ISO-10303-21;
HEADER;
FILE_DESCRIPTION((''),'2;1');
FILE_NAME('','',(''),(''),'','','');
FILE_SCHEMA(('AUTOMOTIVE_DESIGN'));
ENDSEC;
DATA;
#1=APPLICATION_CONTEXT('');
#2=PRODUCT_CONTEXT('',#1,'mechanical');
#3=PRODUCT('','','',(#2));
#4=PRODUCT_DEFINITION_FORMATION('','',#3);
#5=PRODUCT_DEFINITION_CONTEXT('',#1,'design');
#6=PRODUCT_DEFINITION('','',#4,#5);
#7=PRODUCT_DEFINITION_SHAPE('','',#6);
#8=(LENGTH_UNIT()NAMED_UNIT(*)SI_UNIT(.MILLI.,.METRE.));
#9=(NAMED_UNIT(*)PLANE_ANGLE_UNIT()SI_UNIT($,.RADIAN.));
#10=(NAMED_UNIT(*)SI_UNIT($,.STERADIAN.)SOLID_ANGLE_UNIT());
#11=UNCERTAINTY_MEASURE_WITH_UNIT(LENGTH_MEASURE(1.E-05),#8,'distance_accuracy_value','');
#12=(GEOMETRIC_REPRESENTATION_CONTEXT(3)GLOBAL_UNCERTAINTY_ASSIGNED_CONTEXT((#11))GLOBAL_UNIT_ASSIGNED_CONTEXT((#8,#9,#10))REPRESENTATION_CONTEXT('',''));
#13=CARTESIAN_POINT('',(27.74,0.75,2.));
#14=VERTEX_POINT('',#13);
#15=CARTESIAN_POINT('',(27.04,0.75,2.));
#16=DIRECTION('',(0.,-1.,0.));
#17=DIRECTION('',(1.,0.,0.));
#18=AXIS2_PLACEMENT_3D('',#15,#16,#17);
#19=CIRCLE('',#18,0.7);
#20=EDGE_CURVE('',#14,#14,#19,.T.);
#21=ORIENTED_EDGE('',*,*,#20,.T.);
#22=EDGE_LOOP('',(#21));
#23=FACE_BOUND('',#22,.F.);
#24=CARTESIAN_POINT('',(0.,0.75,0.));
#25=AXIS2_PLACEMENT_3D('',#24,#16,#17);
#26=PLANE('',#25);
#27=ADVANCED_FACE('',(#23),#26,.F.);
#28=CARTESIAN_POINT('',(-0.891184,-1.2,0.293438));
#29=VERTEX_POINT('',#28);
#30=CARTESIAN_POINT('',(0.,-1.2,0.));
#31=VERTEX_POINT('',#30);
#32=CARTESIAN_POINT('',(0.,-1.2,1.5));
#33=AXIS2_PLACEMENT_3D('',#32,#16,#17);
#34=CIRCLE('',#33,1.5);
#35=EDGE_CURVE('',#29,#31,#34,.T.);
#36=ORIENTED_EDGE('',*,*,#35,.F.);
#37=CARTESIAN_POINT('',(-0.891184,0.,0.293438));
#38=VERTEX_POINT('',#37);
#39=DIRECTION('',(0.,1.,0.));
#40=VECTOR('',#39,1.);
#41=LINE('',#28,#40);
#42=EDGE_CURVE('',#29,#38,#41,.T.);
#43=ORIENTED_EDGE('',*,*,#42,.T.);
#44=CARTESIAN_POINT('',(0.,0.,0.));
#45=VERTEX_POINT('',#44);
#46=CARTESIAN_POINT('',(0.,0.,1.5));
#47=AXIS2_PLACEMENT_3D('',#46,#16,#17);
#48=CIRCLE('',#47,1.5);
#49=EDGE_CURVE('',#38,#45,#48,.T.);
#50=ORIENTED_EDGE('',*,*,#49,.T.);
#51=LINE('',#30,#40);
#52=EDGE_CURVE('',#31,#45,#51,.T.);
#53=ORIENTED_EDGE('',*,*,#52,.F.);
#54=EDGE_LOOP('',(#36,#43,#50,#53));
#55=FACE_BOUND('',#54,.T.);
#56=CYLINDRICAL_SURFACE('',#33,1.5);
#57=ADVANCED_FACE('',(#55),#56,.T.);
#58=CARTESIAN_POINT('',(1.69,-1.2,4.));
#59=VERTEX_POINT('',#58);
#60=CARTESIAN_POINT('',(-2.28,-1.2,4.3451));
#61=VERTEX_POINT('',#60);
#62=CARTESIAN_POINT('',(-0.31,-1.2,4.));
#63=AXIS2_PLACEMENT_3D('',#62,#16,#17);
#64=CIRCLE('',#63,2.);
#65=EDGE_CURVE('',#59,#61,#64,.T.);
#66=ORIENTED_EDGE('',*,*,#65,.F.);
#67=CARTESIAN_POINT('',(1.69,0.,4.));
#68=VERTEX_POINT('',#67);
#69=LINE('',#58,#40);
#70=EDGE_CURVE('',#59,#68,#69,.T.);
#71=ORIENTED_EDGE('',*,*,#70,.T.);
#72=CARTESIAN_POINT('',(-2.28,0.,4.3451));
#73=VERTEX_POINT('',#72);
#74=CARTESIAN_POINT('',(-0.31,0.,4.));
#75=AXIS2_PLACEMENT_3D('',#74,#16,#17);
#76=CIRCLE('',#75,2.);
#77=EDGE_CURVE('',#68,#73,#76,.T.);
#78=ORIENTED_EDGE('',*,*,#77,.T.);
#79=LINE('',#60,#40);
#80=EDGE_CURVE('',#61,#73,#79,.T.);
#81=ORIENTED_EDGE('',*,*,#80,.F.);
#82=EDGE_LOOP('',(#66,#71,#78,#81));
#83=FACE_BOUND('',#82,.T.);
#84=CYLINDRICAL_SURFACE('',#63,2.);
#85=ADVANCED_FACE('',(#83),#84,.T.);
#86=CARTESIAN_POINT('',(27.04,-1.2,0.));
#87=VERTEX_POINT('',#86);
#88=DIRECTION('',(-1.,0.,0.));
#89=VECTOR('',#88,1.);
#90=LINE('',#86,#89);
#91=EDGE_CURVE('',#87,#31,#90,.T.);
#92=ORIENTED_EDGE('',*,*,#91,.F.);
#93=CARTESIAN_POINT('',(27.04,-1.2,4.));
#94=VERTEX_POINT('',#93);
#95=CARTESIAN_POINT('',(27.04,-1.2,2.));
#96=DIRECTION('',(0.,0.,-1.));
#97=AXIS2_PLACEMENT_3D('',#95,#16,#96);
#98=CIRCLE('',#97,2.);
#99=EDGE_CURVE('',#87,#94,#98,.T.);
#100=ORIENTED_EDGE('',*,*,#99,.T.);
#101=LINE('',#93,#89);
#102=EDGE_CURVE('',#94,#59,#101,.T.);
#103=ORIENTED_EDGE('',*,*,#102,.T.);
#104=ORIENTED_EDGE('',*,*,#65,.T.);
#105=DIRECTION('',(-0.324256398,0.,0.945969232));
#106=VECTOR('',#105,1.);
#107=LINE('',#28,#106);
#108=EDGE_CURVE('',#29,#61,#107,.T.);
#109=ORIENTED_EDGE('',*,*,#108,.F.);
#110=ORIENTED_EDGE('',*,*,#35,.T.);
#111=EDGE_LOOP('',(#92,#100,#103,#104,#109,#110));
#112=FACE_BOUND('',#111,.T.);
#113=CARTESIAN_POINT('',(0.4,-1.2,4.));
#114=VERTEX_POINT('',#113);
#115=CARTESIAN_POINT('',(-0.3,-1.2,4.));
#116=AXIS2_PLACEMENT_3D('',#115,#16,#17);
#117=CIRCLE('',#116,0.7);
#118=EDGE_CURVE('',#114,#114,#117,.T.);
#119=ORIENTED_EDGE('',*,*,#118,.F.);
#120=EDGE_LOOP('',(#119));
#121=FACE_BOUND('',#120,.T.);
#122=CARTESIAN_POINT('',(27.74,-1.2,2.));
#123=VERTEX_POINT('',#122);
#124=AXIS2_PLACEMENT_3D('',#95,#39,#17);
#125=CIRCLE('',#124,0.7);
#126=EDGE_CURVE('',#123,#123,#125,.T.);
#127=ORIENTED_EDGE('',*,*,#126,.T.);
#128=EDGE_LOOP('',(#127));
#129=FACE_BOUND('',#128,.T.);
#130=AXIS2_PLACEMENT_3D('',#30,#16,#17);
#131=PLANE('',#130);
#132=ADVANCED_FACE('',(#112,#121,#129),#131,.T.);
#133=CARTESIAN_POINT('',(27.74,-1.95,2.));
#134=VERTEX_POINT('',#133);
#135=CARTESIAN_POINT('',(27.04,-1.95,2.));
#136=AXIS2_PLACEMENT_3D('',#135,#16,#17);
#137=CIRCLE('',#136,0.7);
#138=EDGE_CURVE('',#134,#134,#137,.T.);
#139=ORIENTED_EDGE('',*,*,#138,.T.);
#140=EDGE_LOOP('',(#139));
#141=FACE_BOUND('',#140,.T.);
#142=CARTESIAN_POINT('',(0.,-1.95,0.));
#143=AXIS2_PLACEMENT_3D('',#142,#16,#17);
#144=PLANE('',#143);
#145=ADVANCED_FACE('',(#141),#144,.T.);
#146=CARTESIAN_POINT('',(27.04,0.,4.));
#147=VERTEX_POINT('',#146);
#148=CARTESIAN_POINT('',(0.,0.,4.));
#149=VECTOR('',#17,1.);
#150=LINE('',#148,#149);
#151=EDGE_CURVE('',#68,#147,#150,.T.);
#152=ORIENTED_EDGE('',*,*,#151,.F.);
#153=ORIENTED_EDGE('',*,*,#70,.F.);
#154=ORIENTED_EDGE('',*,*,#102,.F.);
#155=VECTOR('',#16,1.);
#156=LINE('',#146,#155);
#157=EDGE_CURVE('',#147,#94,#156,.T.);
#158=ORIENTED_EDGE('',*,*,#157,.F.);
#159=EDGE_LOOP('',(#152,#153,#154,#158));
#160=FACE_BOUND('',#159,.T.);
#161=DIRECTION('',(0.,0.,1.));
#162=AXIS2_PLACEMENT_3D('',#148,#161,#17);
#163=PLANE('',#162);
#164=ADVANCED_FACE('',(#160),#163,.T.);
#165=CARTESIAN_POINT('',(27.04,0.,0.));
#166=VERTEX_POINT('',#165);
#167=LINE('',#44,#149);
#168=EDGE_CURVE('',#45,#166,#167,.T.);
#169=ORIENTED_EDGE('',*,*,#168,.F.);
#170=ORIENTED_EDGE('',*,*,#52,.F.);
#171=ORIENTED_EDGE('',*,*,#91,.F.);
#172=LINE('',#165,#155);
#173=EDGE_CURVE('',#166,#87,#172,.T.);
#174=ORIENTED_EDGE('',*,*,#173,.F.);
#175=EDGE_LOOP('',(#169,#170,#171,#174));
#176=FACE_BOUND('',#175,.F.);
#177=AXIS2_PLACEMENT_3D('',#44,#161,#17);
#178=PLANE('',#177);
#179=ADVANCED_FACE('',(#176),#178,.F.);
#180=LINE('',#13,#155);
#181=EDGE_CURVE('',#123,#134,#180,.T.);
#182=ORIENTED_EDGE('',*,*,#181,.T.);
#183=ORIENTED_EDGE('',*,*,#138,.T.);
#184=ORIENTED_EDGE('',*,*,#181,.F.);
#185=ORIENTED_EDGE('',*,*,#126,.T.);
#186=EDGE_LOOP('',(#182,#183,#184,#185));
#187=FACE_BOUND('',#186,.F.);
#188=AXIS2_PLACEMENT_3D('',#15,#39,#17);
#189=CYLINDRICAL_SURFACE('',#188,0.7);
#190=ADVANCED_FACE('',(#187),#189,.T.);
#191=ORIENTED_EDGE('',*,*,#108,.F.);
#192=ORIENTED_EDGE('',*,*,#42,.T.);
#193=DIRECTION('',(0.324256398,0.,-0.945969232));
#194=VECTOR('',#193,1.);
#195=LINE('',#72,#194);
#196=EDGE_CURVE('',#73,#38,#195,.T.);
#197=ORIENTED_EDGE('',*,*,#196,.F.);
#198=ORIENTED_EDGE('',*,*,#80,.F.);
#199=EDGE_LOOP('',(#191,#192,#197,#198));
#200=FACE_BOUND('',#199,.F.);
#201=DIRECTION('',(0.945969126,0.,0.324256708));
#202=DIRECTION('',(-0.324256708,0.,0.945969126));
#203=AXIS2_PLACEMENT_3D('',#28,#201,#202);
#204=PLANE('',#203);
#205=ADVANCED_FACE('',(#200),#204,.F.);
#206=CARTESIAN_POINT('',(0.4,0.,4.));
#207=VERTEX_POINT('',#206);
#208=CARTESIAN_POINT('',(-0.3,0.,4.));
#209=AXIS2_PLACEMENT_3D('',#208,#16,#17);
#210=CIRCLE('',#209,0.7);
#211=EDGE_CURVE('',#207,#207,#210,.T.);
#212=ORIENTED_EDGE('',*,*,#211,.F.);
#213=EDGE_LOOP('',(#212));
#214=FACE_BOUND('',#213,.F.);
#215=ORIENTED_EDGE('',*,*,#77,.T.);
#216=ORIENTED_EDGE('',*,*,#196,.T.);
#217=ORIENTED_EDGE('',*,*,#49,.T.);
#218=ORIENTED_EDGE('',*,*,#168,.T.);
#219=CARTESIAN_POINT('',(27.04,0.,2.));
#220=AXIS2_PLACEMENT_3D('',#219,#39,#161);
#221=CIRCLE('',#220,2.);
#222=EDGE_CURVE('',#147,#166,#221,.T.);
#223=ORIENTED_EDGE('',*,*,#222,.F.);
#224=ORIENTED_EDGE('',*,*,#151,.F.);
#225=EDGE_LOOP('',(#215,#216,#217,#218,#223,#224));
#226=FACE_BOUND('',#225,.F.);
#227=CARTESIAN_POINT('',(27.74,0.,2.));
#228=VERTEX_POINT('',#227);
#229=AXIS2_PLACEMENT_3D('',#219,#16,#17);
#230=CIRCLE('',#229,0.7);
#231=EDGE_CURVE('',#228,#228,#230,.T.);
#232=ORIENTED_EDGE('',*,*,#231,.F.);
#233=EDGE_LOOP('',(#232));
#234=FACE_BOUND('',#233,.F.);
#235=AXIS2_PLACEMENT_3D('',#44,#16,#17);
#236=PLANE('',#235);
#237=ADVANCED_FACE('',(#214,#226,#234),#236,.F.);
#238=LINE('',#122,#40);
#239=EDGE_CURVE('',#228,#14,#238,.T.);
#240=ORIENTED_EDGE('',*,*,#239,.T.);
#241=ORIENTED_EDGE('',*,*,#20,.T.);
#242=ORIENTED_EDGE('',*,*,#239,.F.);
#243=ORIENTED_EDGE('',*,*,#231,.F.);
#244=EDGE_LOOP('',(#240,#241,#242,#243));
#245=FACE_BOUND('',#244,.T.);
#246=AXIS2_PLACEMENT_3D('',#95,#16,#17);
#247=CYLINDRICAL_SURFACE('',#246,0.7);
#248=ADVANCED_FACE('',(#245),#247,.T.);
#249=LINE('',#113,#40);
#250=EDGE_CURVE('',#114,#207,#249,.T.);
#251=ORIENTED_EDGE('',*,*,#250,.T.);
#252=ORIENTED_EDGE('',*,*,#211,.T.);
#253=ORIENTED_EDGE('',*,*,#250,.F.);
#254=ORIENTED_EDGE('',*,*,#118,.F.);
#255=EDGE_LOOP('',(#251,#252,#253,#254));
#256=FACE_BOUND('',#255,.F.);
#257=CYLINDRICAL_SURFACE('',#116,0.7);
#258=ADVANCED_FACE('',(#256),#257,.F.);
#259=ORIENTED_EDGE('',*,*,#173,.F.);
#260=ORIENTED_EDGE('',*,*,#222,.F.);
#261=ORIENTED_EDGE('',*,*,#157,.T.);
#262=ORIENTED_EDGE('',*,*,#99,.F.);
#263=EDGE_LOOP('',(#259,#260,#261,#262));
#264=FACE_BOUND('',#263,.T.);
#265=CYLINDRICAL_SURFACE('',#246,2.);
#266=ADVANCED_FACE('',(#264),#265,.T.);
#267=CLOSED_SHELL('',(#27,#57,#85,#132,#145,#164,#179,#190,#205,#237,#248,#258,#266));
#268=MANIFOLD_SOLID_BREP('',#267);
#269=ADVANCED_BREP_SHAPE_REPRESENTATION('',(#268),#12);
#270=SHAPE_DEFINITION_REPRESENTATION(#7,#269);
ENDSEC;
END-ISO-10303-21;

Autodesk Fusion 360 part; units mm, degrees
sketch "Sketch1" plane through (0, 0, 0) normal (0, 0, 1) x (1, 0, 0)
  line L0 (0, 0) -> (27.04, 0)
  line L1 (27.04, 0) -> (27.04, -1.2)
  line L2 (27.04, -1.2) -> (0, -1.2)
  line L3 (0, -1.2) -> (0, 0)
  dimension "d1" = 27.04
  dimension "d2" = 1.2
extrude "Extrude1" add sketch "Sketch1" along normal blind 4
sketch "Sketch2" plane through (0, -1.2, 0) normal (0, -1, 0) x (1, 0, 0)
  line L0 (0, 0) -> (27.04, 0)
  line L1 (27.04, 0) -> (27.04, 4)
  line L2 (27.04, 4) -> (0, 4)
  line L3 (0, 4) -> (0, 0)
  circle A0 centre (27.04, 2) radius 2
  dimension "d5" = 4
extrude "Extrude2" add sketch "Sketch2" against normal blind 1.2 contours L1 A0 picked at (27.2278, 2.6397)
sketch "Sketch3" plane through (0, -1.2, 0) normal (0, -1, 0) x (1, 0, 0)
  line L0 (0, 0) -> (27.04, 0)
  arc A0 (27.04, 0) -> (27.04, 4) centre (27.04, 2) ccw
  line L1 (27.04, 4) -> (0, 4)
  line L2 (0, 4) -> (0, 0)
  circle A1 centre (27.04, 2) radius 0.7
  dimension "d8" = 1.4
extrude "Extrude3" cut sketch "Sketch3" against normal blind 10 contours A1
sketch "Sketch4" plane through (0, -1.2, 0) normal (0, -1, 0) x (1, 0, 0)
  circle A0 centre (27.04, 2) radius 0.7
  line L0 (0, 0) -> (27.04, 0)
  arc A1 (27.04, 0) -> (27.04, 4) centre (27.04, 2) ccw
  line L1 (27.04, 4) -> (0, 4)
  line L2 (0, 4) -> (0, 0)
  line L3 (0, 0) -> (0, 1.5)
  circle A2 centre (0, 1.5) radius 1.5
  line L4 (-1.0715, 0) -> (5.393, 0) construction
  line L5 (-0.8097, 0) -> (6.2004, 0) construction
  line L6 (25.3, 0) -> (25.3, 4)
  line L7 (25.3, 0) -> (29.5592, 0)
  line L8 (25.3, 4) -> (30.5, 4)
  line L9 (29.04, 0) -> (29.04, 4)
  line L10 (29.04, 4) -> (1.69, 4)
  line L11 (29.04, 4) -> (1.69, 4)
  line L12 (29.04, 4) -> (1.69, 4)
  line L13 (1.69, 4) -> (-0.31, 4)
  circle A3 centre (-0.31, 4) radius 2
  line L14 (1.69, 4) -> (-2.28, 4)
  line L15 (-2.28, 4) -> (-2.28, 4.3451)
  line L16 (1.69, 4) -> (-2.28, 4.3451)
  line L17 (-0.7906, 0) -> (-2.7155, 5.6156)
  line L18 (-0.7906, 0) -> (6.1719, 0) construction
  line L19 (-2.28, 4) -> (29.04, 4)
  dimension "d11" = 1.5
  dimension "d12" = 3
  dimension "d23" = 27.35
  dimension "d24" = 180
  dimension "d25" = 27.35
  dimension "d26" = 2
  dimension "d27" = 4
  dimension "d28" = 3.97
  dimension "d29" = 108.92
  dimension "d30" = 31.32
extrude "Extrude4" add sketch "Sketch4" against normal blind 1.2 contours L2 L3 A2 A3 L17 | L2 A2 A3 | A2 A3 L17 | A3 L16 | L1 L13 L14 L16 L17 L19 | L2 A2 L13 A3 L14 L17 L19 picked at (-0.163, 2.336)
sketch "Sketch5" plane through (0, -1.2, 0) normal (0, -1, 0) x (1, 0, 0)
  circle A0 centre (27.04, 2) radius 0.7
  line L0 (0, 0) -> (27.04, 0)
  arc A1 (27.04, 0) -> (27.04, 4) centre (27.04, 2) ccw
  line L1 (27.04, 4) -> (1.69, 4)
  arc A2 (1.69, 4) -> (-2.28, 4.3451) centre (-0.31, 4) ccw
  line L2 (-2.28, 4.3451) -> (-0.8912, 0.2935)
  arc A3 (-0.8912, 0.2935) -> (0, 0) centre (0, 1.5) ccw
  circle A4 centre (27.04, 2) radius 0.7
  dimension "d37" = 1.4
sketch "Sketch6" plane through (0, -1.2, 0) normal (0, -1, 0) x (1, 0, 0)
  circle A0 centre (-0.3, 4) radius 0.7
  dimension "d34" = 1.4
extrude "Extrude5" cut sketch "Sketch6" against normal blind 6.5
sketch "Sketch7" plane through (0, -1.2, 0) normal (0, -1, 0) x (1, 0, 0)
extrude "Extrude6" add sketch "Sketch5" against normal blind 1.95 contours A0 A4
extrude "Extrude7" add 1 faces at (26.8677, 0.75, 1.935) along direction (0, -1, 0) blind 2.7
